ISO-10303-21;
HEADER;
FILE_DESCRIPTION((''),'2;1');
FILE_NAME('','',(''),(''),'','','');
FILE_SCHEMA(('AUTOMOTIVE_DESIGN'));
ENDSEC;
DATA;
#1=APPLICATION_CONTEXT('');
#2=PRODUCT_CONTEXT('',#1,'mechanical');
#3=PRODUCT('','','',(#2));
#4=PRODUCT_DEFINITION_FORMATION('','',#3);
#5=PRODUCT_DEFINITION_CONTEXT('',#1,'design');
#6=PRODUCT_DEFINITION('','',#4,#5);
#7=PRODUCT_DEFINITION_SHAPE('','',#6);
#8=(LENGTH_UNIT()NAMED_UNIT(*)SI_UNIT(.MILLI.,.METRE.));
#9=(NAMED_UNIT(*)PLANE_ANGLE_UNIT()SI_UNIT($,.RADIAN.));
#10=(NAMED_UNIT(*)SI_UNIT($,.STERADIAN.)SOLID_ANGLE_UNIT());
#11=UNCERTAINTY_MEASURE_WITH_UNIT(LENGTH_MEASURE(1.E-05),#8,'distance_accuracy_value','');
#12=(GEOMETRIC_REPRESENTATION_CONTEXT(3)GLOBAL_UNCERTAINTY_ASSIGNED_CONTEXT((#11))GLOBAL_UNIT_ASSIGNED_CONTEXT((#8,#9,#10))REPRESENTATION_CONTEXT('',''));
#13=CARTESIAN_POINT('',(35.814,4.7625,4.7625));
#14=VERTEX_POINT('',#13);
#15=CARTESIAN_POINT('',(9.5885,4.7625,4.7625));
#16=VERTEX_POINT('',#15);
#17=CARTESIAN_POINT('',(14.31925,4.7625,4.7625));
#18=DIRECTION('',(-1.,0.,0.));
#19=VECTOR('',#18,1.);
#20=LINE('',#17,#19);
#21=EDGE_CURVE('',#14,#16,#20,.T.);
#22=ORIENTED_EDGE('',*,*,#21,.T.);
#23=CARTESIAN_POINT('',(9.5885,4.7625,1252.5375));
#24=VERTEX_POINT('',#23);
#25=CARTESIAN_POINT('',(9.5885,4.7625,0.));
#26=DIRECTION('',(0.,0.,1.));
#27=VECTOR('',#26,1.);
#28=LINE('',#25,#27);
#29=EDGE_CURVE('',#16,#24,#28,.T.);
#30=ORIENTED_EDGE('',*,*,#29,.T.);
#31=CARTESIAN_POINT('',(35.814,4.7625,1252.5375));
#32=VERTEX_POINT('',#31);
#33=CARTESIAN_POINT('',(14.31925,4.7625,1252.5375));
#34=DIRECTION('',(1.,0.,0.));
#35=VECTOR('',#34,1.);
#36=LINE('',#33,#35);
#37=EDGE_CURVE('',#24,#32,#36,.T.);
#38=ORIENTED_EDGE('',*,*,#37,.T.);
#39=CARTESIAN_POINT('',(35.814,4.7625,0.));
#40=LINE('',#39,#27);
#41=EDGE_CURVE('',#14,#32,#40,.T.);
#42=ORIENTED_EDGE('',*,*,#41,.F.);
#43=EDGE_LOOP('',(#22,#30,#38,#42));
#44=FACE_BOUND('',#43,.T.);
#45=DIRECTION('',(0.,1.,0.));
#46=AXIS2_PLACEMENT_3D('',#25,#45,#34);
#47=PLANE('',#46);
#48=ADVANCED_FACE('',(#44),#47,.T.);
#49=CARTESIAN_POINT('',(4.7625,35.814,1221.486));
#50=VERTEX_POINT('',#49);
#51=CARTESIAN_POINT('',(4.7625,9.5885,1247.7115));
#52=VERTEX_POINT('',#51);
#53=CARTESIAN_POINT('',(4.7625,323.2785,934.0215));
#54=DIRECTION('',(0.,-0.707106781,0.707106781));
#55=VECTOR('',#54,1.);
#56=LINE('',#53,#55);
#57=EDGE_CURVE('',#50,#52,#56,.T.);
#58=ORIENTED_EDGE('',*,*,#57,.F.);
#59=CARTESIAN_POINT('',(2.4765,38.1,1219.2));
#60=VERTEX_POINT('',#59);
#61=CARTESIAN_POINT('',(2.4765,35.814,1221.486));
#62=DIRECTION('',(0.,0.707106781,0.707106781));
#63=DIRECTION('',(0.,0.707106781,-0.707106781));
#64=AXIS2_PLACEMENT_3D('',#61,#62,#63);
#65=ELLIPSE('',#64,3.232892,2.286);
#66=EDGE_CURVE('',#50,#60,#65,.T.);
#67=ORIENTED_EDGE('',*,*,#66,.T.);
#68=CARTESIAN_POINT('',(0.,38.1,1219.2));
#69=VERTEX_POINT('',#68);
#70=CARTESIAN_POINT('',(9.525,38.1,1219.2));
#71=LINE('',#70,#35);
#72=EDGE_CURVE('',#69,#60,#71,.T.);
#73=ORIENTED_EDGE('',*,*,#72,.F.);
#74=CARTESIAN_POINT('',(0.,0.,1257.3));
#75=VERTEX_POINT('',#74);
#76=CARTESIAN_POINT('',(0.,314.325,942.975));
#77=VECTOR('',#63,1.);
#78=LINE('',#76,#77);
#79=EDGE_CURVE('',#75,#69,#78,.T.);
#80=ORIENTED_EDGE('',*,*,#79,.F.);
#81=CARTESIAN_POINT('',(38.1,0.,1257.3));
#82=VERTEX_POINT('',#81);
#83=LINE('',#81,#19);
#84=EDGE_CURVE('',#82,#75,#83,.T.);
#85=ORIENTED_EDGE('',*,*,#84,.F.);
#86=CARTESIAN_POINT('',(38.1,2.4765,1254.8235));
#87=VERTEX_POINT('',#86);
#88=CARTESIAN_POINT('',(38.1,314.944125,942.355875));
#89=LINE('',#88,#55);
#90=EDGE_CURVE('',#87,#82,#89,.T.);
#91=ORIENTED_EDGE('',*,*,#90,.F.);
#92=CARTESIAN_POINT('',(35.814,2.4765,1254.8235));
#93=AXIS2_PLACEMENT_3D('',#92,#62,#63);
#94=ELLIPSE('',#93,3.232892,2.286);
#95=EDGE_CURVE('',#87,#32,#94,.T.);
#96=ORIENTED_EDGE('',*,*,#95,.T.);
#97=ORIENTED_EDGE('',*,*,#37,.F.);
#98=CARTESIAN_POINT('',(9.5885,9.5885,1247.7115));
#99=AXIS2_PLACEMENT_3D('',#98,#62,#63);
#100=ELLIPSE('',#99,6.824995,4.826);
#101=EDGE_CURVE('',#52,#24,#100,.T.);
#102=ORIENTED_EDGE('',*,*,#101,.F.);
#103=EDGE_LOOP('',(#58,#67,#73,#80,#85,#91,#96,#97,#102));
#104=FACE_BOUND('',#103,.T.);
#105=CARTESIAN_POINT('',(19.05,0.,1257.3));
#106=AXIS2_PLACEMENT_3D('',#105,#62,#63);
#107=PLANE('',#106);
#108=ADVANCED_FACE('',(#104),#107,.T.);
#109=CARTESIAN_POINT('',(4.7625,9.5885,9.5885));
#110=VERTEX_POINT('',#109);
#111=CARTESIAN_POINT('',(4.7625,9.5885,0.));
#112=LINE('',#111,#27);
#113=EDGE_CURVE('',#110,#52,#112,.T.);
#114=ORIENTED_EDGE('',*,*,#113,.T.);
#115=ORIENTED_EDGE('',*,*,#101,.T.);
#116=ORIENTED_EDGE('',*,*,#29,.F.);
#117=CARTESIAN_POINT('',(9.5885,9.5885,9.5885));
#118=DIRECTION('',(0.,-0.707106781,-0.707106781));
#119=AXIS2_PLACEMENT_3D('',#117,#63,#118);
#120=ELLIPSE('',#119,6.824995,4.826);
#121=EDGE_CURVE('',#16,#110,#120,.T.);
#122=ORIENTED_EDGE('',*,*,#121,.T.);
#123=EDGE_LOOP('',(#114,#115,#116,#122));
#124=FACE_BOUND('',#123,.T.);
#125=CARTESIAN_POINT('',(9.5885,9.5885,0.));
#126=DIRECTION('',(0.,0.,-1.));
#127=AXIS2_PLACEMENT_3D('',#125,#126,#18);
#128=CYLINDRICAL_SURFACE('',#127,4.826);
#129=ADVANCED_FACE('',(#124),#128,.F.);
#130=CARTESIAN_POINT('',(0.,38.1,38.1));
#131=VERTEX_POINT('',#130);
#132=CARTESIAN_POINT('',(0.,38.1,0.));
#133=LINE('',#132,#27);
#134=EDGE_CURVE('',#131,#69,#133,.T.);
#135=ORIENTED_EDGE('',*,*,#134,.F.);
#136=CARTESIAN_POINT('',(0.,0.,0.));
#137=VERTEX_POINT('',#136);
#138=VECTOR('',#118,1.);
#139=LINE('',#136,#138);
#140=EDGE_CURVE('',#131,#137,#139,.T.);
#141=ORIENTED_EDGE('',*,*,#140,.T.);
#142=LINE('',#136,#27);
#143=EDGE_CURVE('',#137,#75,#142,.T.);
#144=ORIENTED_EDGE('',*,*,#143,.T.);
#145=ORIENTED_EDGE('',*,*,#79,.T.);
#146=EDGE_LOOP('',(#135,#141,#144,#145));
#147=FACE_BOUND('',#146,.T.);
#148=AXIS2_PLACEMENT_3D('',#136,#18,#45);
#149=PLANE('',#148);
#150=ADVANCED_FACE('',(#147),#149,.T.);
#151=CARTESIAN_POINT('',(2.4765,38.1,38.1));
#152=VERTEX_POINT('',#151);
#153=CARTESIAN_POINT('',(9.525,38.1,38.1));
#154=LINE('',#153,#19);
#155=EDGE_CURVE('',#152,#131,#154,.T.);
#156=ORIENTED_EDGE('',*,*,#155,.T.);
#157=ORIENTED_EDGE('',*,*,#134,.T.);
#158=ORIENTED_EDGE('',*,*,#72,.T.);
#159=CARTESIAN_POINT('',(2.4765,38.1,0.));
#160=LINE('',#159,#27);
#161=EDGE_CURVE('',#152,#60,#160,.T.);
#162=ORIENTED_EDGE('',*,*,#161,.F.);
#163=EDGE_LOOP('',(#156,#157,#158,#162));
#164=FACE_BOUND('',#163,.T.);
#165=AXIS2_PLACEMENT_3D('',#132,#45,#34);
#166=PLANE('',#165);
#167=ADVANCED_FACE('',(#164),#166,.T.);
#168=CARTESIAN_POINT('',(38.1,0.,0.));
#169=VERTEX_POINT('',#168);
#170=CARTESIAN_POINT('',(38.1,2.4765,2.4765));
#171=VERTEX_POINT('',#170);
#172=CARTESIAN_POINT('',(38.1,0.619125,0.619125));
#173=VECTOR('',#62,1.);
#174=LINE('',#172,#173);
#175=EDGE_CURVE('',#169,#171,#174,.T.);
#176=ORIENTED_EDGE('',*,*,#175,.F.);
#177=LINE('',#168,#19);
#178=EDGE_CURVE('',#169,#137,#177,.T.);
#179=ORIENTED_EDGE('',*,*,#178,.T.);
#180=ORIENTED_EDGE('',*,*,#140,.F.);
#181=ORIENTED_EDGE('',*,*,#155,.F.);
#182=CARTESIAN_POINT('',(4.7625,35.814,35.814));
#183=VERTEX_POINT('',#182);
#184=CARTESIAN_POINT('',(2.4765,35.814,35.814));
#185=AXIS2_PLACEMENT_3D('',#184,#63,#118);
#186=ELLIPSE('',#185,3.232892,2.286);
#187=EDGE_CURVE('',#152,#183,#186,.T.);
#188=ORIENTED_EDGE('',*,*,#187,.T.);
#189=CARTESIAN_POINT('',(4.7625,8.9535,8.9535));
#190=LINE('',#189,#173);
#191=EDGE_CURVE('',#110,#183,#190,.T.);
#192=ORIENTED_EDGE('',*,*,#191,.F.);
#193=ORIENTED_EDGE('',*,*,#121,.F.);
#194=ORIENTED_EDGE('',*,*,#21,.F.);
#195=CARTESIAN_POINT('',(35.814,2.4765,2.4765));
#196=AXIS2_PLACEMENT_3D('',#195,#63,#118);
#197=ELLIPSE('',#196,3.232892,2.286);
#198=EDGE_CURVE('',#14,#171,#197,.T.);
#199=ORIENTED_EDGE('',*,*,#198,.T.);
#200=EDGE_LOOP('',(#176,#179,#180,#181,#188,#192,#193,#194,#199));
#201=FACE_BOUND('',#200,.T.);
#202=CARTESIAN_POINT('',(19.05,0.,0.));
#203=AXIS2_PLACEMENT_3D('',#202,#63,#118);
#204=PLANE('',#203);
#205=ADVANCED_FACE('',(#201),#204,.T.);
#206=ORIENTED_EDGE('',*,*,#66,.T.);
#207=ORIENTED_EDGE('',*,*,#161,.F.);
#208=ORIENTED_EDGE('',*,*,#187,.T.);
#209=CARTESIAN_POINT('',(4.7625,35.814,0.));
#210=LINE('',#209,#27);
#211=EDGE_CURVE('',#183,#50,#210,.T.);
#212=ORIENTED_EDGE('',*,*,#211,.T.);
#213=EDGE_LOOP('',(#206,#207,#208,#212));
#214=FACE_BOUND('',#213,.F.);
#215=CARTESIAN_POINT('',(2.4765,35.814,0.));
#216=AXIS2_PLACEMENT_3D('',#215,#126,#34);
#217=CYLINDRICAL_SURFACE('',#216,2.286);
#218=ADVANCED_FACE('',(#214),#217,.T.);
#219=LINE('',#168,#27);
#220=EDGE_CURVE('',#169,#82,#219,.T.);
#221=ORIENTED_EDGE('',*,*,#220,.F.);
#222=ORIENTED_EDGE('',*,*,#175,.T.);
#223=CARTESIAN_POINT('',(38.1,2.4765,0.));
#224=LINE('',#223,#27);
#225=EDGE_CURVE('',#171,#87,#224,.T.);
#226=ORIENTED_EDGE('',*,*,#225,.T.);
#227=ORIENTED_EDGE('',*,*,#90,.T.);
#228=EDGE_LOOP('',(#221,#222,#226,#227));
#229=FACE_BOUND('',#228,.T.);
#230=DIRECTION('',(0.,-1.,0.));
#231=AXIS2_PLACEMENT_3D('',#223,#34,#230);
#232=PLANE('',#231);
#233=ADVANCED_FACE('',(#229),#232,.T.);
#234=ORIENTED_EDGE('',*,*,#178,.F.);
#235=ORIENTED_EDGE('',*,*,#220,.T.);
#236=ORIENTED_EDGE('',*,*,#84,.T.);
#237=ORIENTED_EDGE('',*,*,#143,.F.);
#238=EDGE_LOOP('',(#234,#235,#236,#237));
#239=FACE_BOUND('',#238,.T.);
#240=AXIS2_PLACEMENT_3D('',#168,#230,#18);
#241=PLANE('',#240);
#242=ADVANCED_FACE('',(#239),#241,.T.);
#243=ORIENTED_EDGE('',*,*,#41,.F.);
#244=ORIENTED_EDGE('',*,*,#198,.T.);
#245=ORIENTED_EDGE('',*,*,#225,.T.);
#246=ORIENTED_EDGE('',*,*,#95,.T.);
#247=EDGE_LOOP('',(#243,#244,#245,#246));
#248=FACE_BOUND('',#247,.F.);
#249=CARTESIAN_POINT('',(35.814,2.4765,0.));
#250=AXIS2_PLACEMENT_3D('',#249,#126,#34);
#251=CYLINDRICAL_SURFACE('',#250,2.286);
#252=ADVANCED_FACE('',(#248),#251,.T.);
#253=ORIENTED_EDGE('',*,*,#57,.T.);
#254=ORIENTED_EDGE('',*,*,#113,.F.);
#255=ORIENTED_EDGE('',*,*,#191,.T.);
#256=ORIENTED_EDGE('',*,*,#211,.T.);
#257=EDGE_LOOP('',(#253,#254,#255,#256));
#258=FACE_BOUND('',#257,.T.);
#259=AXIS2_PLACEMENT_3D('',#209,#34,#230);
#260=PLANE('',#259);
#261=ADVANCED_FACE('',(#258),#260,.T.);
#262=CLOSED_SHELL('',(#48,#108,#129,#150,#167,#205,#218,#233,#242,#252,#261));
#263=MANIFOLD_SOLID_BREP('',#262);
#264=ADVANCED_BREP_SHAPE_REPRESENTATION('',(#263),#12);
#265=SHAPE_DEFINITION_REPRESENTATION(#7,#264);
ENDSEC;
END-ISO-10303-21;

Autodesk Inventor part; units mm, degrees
ref_plane "Start plane" through (0, 0, 0) normal (0, 0, 1) x (1, 0, 0)
ref_plane "End plane" through (0, 0, 1257.3) normal (0, 0, 1) x (1, 0, 0)
sketch "Sketch" plane through (0, 0, 0) normal (0, 0, 1) x (1, 0, 0)
  line L0 (38.1, 0) -> (0, 0)
  line L1 (0, 0) -> (0, 38.1)
  line L2 (0, 38.1) -> (2.4765, 38.1)
  line L3 (4.7625, 35.814) -> (4.7625, 9.5885)
  line L4 (9.5885, 4.7625) -> (35.814, 4.7625)
  line L5 (38.1, 2.4765) -> (38.1, 0)
  line L6 (0, -11.0414) -> (0, 31.5385) construction
  line L7 (-11.0414, 0) -> (31.5385, 0) construction
  arc A0 (4.7625, 9.5885) -> (9.5885, 4.7625) centre (9.5885, 9.5885) ccw
  arc A1 (4.7625, 35.814) -> (2.4765, 38.1) centre (2.4765, 35.814) ccw
  arc A2 (38.1, 2.4765) -> (35.814, 4.7625) centre (35.814, 2.4765) ccw
  line L8 (0, 48.4964) -> (0, -20.9644) construction
  line L9 (-20.9644, 0) -> (48.4964, 0) construction
  point P0 (4.7625, 38.1)
  point P1 (4.7625, 4.7625)
  point P2 (38.1, 4.7625)
  dimension "d0" = 38.1
  dimension "d1" = 38.1
  dimension "d2" = 4.7625
  dimension "d3" = 4.7625
  dimension "d10" = 0
  dimension "d11" = 0
  dimension "d14" = 4.826
  dimension "d15" = 2.286
extrude "Body" add sketch "Sketch" along normal up to surface (1257.3 mm away) from surface at 0
sketch "Sketch3" plane through (0, 0, 0) normal (0, 0, 1) x (1, 0, 0)
  line L0 (0, 0) -> (10, 0)
ref_plane "Work Plane3" through (0, 0, 0) normal (0, -1, 0) x (1, 0, 0)
sketch "Sketch4" plane through (0, 0, 0) normal (0, -1, 0) x (1, 0, 0)
  line L0 (-2, 0) -> (12, 0)
  line L1 (-2, 1257.3) -> (12, 1257.3)
  dimension "d17" = 1257.3
ref_plane "Work Plane4" through (19.05, 0, 1257.3) normal (0, 0.7071, 0.7071) x (1, 0, 0)
split "Split1" plane through (19.05, 0, 1257.3) removes the side toward (0, 0.7071, 0.7071)
ref_plane "Work Plane5" through (19.05, 0, 0) normal (0, 0.7071, -0.7071) x (1, 0, 0)
split "Split2" plane through (19.05, 0, 0) removes the side toward (0, 0.7071, -0.7071)
equation "\"d0\" = G_H"
equation "\"d1\" = G_H"
equation "\"d2\" = G_T"
equation "\"d3\" = G_T"
equation "\"d14\" = G_IR"
equation "\"d15\" = G_ER"
equation "\"d4\" = G_L"
equation "\"G_H\" = 38.1"
equation "\"G_T\" = 4.7625"
equation "\"G_ER\" = 2.286"
equation "\"G_IR\" = 4.826"
equation "\"G_L\" = d17"
equation "\"ex\" = 0"
equation "\"G_OFFSET_START\" = 0"
equation "\"G_OFFSET_END\" = 0"
equation "\"d13\" = G_OFFSET_END + B_L"
equation "\"B_L\" = 1257.3"
properties part number "AISC - L 1.5 x 1.5 x 3/16 - 49.5" material "Aluminum 6061-AHC"
